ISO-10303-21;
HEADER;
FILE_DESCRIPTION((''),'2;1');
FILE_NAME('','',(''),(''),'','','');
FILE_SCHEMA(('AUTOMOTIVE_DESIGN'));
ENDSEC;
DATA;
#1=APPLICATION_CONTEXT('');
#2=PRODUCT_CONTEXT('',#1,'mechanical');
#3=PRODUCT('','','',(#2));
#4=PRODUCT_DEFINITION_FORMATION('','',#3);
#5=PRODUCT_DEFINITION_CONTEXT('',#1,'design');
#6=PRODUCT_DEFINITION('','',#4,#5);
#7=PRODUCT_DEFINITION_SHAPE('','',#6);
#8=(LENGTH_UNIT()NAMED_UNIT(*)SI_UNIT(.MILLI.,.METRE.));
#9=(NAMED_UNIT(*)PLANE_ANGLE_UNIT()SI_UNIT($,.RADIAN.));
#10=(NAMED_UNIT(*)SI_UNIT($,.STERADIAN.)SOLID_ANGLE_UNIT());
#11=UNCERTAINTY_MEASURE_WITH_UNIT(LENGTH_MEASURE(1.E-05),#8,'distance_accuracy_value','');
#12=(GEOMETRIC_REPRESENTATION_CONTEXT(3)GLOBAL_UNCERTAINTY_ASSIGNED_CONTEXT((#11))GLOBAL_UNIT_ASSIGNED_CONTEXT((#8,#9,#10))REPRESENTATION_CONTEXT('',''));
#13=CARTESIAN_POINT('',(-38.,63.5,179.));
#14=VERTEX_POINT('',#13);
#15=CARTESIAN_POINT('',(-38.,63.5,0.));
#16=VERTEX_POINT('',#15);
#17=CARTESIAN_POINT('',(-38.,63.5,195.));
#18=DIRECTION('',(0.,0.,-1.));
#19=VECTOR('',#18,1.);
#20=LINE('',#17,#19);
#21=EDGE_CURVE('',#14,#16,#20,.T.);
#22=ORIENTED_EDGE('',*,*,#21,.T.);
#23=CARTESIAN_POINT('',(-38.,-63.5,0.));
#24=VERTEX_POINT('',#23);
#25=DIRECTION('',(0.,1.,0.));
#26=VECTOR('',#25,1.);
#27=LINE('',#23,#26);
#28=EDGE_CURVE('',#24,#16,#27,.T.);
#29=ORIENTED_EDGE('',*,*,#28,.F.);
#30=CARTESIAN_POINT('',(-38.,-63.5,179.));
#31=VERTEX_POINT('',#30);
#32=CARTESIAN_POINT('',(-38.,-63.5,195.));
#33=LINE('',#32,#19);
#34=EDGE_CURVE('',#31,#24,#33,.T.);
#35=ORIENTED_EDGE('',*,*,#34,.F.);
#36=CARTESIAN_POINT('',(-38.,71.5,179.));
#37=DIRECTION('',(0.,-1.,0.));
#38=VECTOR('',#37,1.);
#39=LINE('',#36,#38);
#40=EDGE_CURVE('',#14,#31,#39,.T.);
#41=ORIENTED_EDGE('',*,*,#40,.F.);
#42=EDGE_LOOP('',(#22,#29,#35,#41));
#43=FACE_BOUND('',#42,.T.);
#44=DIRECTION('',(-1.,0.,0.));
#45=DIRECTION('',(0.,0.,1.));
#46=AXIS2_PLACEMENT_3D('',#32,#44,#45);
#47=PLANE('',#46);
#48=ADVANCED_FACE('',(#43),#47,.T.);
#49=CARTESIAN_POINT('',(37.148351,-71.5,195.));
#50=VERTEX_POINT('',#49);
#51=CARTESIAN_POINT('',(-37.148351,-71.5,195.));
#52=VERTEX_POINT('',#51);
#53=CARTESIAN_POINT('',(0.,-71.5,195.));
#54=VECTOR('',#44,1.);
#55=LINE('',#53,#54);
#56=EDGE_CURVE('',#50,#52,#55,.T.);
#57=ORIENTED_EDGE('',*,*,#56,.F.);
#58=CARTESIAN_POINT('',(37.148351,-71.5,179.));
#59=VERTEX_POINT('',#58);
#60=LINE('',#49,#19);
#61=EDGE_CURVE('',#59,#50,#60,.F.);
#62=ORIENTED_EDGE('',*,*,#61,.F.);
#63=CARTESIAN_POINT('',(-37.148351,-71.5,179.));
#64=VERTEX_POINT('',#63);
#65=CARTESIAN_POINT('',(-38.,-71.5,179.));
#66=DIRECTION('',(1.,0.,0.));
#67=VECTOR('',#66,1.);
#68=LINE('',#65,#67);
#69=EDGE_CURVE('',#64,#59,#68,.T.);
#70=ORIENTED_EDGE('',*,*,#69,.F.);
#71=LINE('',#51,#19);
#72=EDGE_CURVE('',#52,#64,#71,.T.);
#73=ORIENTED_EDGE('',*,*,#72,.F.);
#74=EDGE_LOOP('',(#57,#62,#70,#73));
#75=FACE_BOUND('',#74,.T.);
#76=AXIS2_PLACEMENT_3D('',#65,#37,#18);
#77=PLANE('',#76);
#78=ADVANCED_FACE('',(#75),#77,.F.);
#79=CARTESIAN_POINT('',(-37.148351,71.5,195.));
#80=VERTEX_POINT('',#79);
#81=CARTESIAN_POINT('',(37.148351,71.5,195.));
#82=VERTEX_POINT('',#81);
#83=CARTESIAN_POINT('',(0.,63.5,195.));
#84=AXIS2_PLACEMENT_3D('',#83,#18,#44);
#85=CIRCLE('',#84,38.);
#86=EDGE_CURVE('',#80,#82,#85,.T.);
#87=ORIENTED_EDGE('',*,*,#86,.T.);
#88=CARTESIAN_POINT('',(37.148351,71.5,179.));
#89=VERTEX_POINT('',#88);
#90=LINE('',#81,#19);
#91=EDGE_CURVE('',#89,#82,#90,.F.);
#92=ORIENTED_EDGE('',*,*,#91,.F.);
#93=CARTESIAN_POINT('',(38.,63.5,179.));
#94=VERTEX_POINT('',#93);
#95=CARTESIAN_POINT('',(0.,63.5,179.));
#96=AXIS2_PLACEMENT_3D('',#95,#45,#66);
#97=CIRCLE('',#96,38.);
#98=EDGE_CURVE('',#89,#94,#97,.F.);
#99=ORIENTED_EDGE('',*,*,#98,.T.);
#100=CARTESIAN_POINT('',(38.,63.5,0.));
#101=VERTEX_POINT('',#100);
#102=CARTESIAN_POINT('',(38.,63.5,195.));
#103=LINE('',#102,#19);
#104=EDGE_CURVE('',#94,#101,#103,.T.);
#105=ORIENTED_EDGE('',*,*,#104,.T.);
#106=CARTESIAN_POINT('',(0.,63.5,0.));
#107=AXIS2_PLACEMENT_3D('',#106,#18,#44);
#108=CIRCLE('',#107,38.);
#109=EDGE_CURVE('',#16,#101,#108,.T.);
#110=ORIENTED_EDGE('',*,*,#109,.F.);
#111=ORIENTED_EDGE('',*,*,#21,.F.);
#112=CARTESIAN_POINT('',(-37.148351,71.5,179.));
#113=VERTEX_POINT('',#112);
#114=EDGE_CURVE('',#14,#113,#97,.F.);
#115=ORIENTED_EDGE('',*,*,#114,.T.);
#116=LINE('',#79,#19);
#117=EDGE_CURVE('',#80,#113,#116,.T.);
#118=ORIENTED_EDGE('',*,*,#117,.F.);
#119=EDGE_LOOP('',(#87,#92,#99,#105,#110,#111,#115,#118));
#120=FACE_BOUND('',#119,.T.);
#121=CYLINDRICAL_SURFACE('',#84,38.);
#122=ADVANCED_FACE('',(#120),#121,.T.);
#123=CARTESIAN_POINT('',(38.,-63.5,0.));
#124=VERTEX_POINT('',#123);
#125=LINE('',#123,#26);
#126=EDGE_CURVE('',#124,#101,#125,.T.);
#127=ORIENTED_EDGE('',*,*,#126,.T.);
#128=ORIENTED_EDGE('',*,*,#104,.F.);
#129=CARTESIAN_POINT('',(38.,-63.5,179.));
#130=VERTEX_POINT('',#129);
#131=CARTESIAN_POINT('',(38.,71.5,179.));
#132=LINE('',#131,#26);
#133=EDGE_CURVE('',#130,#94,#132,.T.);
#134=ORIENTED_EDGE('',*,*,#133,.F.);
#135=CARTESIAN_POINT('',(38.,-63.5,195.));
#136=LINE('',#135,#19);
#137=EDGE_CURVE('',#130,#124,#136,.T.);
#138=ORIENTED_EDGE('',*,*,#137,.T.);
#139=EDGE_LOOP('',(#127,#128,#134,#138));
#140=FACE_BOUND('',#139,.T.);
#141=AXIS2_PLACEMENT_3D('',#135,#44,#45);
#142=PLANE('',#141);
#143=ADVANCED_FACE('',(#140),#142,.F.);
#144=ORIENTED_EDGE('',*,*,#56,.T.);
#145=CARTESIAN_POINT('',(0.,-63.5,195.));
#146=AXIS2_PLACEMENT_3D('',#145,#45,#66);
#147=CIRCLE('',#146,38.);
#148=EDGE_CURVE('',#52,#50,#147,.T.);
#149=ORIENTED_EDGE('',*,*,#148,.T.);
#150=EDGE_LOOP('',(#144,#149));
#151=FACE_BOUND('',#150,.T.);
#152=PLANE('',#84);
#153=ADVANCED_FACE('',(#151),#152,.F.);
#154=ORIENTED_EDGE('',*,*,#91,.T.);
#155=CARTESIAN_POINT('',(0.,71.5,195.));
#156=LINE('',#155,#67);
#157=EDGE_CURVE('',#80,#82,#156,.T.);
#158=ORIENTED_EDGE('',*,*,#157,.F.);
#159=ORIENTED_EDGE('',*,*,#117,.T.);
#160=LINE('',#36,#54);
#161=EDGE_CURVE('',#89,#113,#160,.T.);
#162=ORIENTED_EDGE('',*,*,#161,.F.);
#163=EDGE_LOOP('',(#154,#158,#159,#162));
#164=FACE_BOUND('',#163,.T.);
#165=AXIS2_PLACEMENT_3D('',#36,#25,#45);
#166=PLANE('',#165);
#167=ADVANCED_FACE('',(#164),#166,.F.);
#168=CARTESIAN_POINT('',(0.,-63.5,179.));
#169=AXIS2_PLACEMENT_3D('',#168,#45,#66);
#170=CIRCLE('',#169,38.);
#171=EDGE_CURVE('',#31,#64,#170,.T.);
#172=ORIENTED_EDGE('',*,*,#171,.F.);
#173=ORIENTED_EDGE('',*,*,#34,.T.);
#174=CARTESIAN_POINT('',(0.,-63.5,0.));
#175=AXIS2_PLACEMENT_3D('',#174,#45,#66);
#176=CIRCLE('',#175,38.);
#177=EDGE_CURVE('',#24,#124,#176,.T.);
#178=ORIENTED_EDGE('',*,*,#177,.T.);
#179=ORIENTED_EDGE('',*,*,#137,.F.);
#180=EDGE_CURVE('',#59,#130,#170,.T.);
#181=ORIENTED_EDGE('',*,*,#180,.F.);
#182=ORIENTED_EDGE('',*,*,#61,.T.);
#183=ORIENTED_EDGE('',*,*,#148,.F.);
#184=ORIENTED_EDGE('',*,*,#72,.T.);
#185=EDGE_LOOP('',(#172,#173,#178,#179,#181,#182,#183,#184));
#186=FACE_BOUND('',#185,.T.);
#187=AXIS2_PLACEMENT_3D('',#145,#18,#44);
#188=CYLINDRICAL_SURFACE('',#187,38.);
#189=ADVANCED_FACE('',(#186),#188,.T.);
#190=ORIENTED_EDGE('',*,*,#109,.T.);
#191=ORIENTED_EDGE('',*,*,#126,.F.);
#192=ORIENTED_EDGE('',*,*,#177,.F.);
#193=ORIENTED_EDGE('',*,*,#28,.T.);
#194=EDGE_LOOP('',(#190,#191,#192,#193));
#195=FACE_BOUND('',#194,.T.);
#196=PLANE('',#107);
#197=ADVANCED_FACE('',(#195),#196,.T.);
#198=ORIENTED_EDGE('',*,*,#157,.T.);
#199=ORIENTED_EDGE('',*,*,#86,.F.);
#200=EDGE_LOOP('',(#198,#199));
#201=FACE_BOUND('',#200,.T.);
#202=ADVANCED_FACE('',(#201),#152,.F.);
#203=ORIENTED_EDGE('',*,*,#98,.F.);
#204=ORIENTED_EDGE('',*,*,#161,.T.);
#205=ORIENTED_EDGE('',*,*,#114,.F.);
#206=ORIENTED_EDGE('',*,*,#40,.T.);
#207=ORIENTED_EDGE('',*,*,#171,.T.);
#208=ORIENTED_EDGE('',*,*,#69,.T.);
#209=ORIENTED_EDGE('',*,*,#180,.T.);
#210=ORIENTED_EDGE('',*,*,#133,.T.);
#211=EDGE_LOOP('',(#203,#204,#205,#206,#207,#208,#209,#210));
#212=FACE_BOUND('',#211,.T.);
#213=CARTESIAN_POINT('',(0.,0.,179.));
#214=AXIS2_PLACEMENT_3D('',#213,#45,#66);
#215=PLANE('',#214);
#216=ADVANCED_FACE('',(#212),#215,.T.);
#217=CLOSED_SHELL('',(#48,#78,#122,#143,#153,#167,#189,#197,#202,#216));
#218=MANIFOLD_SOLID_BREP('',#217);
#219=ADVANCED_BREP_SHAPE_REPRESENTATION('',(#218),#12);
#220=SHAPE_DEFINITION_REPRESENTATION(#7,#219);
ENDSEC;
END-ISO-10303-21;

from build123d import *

# Parameters (mm, degrees)
EXTRUDE_1_DEPTH     = 195
SKETCH_2_W          = 76
SKETCH_2_H          = 143
CUT_EXTRUDE_1_DEPTH = 16


with BuildPart() as part:
    # Эскиз1 → Бобышка-Вытянуть1 (new body)
    with BuildSketch(Plane.XY):
        with BuildLine():
            Line((-38, -63.5), (-38, 63.5))
            ThreePointArc((-38, 63.5), (0, 101.5), (38, 63.5))
            Line((38, 63.5), (38, -63.5))
            ThreePointArc((38, -63.5), (0, -101.5), (-38, -63.5))
        make_face()
    extrude(amount=EXTRUDE_1_DEPTH)

    # Эскиз2 → Вырез-Вытянуть1 (cut)
    with BuildSketch(Plane.XY.offset(195)):
        Rectangle(SKETCH_2_W, SKETCH_2_H)
    extrude(amount=-CUT_EXTRUDE_1_DEPTH, mode=Mode.SUBTRACT)


solid = part.part
